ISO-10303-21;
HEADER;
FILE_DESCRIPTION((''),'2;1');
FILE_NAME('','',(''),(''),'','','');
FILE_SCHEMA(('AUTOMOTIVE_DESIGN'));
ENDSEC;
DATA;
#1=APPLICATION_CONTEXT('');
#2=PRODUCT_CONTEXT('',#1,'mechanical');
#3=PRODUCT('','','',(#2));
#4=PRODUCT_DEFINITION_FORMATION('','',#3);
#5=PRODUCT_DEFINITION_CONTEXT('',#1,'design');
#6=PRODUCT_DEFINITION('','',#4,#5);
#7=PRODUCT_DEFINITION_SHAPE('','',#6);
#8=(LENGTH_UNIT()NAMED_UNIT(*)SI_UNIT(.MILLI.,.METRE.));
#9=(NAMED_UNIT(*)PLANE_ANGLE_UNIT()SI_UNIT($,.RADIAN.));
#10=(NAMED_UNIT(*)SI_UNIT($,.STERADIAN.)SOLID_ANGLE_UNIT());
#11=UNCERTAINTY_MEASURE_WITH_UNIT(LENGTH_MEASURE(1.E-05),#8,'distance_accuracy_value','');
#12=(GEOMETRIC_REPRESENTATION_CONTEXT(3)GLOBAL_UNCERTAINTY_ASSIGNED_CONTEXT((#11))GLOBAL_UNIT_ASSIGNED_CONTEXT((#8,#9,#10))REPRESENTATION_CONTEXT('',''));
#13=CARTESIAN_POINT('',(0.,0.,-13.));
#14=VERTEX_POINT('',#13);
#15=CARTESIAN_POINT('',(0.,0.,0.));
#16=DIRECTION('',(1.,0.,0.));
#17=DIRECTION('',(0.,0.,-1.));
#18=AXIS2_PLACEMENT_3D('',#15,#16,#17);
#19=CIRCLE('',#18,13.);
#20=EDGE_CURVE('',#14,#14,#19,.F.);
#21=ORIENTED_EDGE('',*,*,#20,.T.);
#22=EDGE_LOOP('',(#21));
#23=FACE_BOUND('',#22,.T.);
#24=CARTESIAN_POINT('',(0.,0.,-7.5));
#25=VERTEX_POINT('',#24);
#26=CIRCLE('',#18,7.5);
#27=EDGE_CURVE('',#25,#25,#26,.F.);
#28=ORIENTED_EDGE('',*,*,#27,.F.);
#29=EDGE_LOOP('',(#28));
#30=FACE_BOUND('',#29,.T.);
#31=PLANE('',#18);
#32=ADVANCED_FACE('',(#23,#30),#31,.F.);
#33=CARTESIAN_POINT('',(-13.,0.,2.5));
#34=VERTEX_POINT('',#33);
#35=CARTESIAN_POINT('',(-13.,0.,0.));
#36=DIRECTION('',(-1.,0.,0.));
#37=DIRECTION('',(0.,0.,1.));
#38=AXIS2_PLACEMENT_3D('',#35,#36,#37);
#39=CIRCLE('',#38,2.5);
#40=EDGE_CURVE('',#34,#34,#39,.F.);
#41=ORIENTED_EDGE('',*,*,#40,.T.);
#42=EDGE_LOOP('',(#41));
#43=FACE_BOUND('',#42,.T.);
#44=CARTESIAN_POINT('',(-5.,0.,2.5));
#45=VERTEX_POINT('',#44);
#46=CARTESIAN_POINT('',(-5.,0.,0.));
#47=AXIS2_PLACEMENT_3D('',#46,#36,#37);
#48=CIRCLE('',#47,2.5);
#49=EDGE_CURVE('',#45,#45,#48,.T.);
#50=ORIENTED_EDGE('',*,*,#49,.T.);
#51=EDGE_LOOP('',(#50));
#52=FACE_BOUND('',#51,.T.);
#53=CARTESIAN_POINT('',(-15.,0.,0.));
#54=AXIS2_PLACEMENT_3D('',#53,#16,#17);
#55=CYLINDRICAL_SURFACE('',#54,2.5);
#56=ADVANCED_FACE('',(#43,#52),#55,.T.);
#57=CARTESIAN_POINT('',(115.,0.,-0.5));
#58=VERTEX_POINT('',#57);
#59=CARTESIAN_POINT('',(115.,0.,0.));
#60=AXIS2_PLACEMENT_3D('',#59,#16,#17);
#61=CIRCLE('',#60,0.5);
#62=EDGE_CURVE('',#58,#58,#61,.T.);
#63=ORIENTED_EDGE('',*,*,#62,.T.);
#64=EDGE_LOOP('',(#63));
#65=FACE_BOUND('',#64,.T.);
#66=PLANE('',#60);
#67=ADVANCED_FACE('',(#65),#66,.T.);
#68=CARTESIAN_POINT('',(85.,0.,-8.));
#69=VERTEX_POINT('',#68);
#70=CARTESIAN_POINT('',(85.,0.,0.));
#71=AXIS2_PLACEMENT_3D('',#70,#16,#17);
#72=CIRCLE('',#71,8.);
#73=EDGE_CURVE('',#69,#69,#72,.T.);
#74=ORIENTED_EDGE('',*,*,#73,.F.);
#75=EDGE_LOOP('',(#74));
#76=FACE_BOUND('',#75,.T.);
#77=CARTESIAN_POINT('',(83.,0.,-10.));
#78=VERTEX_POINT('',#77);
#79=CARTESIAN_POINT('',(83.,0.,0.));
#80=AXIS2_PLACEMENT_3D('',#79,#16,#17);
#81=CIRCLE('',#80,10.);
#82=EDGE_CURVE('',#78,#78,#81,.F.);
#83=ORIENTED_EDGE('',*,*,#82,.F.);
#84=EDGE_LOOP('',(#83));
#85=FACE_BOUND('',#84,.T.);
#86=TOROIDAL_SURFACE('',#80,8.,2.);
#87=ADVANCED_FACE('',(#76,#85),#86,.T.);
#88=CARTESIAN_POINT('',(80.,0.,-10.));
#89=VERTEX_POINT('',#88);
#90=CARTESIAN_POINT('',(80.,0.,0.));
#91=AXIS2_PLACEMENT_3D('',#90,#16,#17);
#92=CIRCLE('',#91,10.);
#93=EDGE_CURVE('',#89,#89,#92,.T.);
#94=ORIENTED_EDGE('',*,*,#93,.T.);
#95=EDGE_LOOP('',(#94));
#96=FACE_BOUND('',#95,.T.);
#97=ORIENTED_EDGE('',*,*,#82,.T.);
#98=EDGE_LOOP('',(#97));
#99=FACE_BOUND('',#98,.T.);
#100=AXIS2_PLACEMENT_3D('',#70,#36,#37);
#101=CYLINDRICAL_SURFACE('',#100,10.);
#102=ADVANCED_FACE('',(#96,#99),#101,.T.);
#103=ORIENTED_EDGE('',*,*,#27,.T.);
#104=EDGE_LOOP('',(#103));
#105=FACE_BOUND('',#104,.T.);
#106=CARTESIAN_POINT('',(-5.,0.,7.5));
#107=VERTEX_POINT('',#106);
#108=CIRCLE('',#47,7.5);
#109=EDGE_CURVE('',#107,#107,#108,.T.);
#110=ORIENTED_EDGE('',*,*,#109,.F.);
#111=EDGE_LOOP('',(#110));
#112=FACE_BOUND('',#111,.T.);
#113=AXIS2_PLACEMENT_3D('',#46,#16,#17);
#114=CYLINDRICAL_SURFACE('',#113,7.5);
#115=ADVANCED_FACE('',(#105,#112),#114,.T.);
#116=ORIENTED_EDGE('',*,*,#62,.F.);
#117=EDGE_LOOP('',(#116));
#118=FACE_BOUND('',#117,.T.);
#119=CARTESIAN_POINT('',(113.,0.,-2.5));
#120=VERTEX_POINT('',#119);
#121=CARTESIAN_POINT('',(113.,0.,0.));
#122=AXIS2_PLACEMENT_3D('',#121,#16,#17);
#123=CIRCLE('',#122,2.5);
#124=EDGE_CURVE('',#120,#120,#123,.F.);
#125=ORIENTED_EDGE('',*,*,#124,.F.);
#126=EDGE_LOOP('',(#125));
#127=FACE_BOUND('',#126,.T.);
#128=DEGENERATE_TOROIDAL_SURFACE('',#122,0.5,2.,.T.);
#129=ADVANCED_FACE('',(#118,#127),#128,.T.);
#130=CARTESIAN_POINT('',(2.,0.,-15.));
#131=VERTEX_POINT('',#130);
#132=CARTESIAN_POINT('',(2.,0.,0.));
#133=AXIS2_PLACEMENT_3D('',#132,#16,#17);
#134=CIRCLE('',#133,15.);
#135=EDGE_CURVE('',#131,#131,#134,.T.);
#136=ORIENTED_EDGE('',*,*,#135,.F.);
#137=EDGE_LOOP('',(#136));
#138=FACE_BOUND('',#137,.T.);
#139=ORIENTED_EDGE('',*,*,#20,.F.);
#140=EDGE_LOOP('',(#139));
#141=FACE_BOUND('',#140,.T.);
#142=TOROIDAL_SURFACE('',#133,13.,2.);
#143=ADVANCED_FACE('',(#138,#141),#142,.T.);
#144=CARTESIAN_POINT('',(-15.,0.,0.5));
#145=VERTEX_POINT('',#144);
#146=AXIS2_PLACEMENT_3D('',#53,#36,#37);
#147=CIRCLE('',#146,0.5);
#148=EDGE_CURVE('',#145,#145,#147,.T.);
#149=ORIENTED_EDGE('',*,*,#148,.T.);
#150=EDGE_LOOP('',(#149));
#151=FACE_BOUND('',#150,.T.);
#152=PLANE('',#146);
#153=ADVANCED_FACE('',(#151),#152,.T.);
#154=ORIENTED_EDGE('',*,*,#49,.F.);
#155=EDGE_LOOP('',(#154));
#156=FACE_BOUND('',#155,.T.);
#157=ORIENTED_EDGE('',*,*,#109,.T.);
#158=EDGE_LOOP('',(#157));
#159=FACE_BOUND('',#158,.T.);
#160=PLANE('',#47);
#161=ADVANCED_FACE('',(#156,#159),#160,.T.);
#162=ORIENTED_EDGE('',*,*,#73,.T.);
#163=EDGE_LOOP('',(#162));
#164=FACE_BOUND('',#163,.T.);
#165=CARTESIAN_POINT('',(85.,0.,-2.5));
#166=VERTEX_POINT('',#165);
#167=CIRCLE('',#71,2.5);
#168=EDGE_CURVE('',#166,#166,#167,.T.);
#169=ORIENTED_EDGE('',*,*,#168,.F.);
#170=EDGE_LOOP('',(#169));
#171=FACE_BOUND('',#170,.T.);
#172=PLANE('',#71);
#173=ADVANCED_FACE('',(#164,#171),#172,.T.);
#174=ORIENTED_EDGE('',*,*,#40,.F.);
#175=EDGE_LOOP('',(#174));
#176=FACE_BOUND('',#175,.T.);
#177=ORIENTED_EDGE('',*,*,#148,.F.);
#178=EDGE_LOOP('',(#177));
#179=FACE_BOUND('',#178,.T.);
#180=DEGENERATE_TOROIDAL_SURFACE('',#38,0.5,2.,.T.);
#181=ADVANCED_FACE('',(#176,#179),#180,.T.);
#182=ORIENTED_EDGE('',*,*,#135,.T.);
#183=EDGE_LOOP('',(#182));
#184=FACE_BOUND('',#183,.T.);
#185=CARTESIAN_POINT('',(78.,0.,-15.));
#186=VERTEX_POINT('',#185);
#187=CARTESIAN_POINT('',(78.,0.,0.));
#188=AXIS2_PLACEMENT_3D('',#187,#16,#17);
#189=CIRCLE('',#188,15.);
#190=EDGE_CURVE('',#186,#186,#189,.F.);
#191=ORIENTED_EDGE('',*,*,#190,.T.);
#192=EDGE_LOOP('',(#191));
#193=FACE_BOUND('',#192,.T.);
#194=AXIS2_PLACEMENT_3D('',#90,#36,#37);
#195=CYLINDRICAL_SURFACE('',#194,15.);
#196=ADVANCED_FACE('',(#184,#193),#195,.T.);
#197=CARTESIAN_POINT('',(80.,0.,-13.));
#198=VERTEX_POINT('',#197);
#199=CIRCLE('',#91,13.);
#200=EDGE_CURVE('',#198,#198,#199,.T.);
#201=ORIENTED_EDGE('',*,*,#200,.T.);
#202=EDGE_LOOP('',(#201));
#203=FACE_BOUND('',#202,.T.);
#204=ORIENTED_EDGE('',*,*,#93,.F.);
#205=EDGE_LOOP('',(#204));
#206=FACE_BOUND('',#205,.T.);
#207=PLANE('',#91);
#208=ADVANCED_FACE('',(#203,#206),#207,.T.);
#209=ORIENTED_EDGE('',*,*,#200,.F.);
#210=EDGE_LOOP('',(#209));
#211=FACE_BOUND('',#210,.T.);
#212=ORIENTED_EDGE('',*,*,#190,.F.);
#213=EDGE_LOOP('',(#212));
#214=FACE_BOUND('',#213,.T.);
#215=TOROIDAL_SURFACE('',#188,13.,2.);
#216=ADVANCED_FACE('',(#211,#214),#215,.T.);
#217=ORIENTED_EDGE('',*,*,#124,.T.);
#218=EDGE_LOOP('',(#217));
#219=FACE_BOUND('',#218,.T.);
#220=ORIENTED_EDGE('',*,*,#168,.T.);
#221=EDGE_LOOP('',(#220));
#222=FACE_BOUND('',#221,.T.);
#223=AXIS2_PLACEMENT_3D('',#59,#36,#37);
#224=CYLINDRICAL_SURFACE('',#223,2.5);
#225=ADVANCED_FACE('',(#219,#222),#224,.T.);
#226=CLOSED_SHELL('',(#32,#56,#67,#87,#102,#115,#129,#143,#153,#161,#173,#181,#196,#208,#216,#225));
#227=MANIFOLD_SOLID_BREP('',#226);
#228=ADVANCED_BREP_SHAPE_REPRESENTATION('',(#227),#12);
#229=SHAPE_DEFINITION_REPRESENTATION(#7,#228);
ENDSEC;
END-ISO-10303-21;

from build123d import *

# Parameters (mm, degrees)
SKETCH1_R           = 15
BOSS_EXTRUDE1_DEPTH = 80
SKETCH2_R           = 10
BOSS_EXTRUDE2_DEPTH = 5
SKETCH3_R           = 2.5
BOSS_EXTRUDE3_DEPTH = 30
FILLET1_R           = 2
FILLET2_R           = 2
FILLET3_R           = 2
SKETCH4_R           = 7.5
BOSS_EXTRUDE5_DEPTH = 5
SKETCH5_R           = 2.5
BOSS_EXTRUDE6_DEPTH = 10
FILLET4_R           = 2


with BuildPart() as part:
    # Sketch1 → Boss-Extrude1 (new body)
    with BuildSketch(Plane(origin=(0, 0, 0), x_dir=(0, 0, -1), z_dir=(1, 0, 0))):
        Circle(SKETCH1_R)
    extrude(amount=BOSS_EXTRUDE1_DEPTH)

    # Sketch2 → Boss-Extrude2 (add)
    with BuildSketch(Plane(origin=(80, 0, 0), x_dir=(0, 0, -1), z_dir=(1, 0, 0))):
        Circle(SKETCH2_R)
    extrude(amount=BOSS_EXTRUDE2_DEPTH)

    # Sketch3 → Boss-Extrude3 (add)
    with BuildSketch(Plane(origin=(85, 0, 0), x_dir=(0, 0, -1), z_dir=(1, 0, 0))):
        Circle(SKETCH3_R)
    extrude(amount=BOSS_EXTRUDE3_DEPTH)

    # Fillet1
    fillet1_edges = [part.edges().sort_by_distance(p)[0] for p in [
        (80, 0, 15),
    ]]
    fillet(fillet1_edges, radius=FILLET1_R)

    # Fillet2
    fillet2_edges = [part.edges().sort_by_distance(p)[0] for p in [
        (85, 0, 10),
    ]]
    fillet(fillet2_edges, radius=FILLET2_R)

    # Fillet3
    fillet3_edges = [part.edges().sort_by_distance(p)[0] for p in [
        (0, 0, 15),
    ]]
    fillet(fillet3_edges, radius=FILLET3_R)

    # Sketch4 → Boss-Extrude5 (add)
    with BuildSketch(Plane.ZY):
        Circle(SKETCH4_R)
    extrude(amount=BOSS_EXTRUDE5_DEPTH)

    # Sketch5 → Boss-Extrude6 (add)
    with BuildSketch(Plane.ZY.offset(5)):
        Circle(SKETCH5_R)
    extrude(amount=BOSS_EXTRUDE6_DEPTH)

    # Fillet4
    fillet4_edges = [part.edges().sort_by_distance(p)[0] for p in [
        (115, 0, 2.5),
        (-15, 0, -2.5),
    ]]
    fillet(fillet4_edges, radius=FILLET4_R)


solid = part.part
